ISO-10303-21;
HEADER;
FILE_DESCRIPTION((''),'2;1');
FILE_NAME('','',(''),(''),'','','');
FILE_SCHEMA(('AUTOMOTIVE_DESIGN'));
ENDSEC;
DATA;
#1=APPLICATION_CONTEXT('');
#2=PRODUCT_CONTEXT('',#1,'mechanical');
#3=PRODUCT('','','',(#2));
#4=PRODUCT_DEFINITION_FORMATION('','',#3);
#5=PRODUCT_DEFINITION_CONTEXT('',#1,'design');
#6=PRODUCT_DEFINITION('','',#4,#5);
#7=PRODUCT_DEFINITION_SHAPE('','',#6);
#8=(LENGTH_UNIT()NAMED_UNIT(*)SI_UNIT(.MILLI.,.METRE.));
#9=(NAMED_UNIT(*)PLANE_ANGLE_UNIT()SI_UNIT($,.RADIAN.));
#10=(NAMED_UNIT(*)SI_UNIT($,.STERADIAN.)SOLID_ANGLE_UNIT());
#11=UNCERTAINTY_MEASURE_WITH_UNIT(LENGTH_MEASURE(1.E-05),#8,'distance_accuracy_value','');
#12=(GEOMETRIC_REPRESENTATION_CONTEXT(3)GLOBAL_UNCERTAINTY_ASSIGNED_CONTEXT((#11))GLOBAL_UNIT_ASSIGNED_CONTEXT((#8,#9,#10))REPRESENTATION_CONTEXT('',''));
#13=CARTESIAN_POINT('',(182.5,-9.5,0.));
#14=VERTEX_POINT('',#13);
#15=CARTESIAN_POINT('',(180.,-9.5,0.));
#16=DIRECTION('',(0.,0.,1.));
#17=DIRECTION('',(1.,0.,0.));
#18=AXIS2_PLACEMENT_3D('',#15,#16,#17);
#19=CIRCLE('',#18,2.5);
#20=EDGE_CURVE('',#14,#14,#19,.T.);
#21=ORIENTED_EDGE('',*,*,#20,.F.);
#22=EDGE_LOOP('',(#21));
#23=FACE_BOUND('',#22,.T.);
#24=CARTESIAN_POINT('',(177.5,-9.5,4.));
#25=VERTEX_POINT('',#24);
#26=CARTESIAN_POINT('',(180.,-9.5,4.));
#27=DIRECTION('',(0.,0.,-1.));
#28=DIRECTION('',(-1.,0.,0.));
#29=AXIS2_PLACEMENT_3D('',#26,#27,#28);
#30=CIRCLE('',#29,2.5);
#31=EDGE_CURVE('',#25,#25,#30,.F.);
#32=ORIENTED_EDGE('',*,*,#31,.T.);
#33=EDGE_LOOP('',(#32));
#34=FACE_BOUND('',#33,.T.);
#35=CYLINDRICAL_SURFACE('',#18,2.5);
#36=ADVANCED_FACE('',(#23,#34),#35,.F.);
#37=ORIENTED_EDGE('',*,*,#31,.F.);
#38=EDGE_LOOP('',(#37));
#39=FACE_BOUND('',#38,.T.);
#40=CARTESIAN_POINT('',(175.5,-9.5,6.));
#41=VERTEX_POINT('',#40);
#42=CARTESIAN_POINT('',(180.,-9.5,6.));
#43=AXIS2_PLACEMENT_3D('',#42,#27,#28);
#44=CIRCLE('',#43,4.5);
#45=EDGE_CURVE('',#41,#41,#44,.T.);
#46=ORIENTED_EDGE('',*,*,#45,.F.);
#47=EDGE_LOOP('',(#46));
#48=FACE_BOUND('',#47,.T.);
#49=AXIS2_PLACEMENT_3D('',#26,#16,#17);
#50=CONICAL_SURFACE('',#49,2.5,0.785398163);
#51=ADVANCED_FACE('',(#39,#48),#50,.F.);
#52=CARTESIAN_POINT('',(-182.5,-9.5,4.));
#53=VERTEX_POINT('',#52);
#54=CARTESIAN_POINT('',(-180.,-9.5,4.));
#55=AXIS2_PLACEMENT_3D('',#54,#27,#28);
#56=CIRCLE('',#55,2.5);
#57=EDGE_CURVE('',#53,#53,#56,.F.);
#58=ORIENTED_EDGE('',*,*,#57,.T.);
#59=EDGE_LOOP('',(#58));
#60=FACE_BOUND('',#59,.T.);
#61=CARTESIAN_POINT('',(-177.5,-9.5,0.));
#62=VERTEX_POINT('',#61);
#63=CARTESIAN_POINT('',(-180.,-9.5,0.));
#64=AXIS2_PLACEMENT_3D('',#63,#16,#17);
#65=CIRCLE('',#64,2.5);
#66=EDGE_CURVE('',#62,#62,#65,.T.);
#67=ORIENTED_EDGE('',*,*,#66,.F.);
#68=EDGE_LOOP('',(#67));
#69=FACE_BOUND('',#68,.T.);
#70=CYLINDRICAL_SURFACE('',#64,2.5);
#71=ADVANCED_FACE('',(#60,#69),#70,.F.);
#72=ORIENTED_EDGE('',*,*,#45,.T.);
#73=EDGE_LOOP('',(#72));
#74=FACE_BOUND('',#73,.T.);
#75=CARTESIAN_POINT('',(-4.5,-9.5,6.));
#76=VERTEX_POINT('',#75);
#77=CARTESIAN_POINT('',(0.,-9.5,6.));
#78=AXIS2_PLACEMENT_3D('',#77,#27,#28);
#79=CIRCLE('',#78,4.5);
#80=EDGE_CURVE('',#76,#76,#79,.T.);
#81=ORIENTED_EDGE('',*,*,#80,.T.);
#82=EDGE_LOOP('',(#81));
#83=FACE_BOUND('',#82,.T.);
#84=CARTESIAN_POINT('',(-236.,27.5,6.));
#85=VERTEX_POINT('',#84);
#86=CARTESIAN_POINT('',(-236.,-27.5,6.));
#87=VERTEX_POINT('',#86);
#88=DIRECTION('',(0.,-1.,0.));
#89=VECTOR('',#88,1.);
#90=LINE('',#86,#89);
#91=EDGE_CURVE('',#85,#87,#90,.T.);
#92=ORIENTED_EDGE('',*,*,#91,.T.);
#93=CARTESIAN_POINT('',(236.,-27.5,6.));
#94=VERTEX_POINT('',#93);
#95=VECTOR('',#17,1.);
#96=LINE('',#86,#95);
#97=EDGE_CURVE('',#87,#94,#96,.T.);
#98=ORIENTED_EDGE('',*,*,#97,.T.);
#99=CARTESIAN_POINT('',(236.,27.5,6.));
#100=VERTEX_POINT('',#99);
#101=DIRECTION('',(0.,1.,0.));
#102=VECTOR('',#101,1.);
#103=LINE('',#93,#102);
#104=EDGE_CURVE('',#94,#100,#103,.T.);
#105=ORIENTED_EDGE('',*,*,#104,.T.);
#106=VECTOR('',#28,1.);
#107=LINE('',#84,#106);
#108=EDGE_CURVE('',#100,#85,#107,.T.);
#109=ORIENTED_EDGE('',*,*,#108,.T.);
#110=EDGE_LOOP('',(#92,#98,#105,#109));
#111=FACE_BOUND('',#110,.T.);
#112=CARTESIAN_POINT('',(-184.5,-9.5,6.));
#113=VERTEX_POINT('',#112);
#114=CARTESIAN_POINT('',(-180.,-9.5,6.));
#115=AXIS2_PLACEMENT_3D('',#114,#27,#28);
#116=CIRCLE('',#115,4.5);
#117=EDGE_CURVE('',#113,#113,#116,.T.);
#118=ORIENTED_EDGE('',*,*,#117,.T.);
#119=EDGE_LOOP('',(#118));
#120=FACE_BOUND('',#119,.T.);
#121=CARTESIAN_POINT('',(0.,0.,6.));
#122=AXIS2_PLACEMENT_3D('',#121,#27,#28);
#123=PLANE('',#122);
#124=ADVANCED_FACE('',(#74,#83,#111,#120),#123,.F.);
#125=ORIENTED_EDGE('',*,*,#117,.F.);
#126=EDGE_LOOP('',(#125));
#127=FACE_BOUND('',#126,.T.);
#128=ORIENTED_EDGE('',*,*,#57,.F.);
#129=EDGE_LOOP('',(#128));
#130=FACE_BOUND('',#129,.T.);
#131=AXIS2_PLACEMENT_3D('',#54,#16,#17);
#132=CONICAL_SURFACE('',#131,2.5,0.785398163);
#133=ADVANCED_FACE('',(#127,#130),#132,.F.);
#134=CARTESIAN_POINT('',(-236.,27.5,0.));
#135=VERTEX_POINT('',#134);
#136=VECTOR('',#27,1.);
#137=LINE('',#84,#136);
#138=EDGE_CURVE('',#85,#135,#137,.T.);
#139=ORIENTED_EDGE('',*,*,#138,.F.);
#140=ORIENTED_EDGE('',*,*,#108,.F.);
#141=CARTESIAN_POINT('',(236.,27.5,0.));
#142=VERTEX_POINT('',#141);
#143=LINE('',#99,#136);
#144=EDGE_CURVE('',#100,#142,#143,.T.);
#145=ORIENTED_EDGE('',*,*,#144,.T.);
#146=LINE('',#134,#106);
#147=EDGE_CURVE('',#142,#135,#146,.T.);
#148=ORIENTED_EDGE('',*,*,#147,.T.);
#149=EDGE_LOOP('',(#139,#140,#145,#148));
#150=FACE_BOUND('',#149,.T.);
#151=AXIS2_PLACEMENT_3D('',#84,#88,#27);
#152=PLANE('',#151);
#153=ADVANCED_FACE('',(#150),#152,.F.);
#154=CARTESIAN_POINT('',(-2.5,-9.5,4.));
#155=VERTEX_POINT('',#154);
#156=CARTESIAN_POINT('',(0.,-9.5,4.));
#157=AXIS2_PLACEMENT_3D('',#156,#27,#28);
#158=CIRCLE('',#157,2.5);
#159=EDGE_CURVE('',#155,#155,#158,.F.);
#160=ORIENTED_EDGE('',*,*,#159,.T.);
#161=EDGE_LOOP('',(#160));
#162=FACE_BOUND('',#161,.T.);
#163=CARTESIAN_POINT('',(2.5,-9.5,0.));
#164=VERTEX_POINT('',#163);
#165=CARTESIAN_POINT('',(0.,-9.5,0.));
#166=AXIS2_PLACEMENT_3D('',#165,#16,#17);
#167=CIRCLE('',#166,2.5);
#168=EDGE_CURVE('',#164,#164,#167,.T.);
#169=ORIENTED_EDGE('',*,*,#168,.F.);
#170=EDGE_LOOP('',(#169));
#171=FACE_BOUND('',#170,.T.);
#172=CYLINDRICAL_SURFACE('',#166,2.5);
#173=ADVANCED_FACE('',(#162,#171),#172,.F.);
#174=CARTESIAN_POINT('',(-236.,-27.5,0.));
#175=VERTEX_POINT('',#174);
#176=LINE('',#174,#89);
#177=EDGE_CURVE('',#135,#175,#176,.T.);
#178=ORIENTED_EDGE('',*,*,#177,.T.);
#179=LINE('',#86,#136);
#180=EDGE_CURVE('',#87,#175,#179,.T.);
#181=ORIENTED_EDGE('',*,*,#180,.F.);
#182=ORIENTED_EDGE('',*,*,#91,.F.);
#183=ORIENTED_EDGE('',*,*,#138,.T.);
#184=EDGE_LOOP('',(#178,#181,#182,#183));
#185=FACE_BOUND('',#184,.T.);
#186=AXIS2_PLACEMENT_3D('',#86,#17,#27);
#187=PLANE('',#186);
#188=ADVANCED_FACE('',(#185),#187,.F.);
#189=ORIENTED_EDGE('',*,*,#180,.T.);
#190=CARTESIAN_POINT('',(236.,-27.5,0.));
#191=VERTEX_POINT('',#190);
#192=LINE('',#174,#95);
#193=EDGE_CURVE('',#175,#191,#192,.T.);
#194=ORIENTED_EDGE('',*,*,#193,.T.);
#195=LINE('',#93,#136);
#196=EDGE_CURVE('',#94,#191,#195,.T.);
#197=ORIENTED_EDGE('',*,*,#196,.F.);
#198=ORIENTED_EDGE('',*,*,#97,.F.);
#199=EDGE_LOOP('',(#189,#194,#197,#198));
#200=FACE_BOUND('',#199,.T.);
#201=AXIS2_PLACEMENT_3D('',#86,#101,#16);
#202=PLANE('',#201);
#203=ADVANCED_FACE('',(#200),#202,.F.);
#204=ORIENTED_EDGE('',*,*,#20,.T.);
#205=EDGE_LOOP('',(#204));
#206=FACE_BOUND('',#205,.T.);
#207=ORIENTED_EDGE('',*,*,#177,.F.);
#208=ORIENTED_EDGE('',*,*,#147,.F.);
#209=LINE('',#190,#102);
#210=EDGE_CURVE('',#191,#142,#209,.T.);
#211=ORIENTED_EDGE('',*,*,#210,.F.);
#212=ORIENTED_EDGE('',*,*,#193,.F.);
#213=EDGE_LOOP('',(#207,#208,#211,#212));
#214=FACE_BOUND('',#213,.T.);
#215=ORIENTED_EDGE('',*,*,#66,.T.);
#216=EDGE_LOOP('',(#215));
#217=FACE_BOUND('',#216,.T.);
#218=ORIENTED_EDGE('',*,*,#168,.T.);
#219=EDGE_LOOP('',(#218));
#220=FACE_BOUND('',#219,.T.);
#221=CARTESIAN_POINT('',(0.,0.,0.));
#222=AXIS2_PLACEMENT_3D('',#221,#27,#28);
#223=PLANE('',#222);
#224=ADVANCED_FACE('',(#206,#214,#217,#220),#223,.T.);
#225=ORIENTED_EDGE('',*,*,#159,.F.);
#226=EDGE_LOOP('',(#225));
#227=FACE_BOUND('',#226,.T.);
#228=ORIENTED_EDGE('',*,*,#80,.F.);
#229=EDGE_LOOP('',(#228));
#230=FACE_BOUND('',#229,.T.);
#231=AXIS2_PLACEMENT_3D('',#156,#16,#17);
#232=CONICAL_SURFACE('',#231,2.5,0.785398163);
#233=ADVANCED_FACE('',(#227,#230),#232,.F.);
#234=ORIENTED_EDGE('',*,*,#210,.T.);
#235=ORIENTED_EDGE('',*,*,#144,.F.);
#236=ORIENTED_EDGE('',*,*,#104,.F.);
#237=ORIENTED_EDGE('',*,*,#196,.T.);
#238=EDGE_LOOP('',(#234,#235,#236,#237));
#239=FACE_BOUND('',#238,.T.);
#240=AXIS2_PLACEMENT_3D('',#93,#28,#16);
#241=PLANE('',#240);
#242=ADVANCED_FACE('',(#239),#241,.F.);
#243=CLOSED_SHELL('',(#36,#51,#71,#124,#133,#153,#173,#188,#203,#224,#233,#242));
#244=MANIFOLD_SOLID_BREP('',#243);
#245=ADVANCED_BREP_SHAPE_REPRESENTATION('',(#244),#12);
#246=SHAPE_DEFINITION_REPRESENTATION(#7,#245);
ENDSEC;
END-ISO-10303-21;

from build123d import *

# Parameters (mm, degrees)
ESQUISSE1_W             = 472
ESQUISSE1_H             = 55
BOSS_EXTRU_1_DEPTH      = 6
ESQUISSE6_R             = 2.5
ENL_V_MAT_EXTRU_1_DEPTH = 238.672568884
CHANFREIN1_SIZE         = 2


with BuildPart() as part:
    # Esquisse1 → Boss.-Extru.1 (new body)
    with BuildSketch(Plane.XY):
        Rectangle(ESQUISSE1_W, ESQUISSE1_H)
    extrude(amount=BOSS_EXTRU_1_DEPTH)

    # Esquisse6 → Enlèv. mat.-Extru.1 (cut, through all)
    with BuildSketch(Plane.XY.offset(6)):
        with Locations((-180, -9.5)):
            Circle(ESQUISSE6_R)
        with Locations((0, -9.5)):
            Circle(ESQUISSE6_R)
        with Locations((180, -9.5)):
            Circle(ESQUISSE6_R)
    extrude(amount=-ENL_V_MAT_EXTRU_1_DEPTH, mode=Mode.SUBTRACT)

    # Chanfrein1
    chanfrein1_edges = [part.edges().sort_by_distance(p)[0] for p in [
        (-182.5, -9.5, 6),
        (-2.5, -9.5, 6),
        (177.5, -9.5, 6),
    ]]
    chamfer(chanfrein1_edges, length=CHANFREIN1_SIZE)


solid = part.part
